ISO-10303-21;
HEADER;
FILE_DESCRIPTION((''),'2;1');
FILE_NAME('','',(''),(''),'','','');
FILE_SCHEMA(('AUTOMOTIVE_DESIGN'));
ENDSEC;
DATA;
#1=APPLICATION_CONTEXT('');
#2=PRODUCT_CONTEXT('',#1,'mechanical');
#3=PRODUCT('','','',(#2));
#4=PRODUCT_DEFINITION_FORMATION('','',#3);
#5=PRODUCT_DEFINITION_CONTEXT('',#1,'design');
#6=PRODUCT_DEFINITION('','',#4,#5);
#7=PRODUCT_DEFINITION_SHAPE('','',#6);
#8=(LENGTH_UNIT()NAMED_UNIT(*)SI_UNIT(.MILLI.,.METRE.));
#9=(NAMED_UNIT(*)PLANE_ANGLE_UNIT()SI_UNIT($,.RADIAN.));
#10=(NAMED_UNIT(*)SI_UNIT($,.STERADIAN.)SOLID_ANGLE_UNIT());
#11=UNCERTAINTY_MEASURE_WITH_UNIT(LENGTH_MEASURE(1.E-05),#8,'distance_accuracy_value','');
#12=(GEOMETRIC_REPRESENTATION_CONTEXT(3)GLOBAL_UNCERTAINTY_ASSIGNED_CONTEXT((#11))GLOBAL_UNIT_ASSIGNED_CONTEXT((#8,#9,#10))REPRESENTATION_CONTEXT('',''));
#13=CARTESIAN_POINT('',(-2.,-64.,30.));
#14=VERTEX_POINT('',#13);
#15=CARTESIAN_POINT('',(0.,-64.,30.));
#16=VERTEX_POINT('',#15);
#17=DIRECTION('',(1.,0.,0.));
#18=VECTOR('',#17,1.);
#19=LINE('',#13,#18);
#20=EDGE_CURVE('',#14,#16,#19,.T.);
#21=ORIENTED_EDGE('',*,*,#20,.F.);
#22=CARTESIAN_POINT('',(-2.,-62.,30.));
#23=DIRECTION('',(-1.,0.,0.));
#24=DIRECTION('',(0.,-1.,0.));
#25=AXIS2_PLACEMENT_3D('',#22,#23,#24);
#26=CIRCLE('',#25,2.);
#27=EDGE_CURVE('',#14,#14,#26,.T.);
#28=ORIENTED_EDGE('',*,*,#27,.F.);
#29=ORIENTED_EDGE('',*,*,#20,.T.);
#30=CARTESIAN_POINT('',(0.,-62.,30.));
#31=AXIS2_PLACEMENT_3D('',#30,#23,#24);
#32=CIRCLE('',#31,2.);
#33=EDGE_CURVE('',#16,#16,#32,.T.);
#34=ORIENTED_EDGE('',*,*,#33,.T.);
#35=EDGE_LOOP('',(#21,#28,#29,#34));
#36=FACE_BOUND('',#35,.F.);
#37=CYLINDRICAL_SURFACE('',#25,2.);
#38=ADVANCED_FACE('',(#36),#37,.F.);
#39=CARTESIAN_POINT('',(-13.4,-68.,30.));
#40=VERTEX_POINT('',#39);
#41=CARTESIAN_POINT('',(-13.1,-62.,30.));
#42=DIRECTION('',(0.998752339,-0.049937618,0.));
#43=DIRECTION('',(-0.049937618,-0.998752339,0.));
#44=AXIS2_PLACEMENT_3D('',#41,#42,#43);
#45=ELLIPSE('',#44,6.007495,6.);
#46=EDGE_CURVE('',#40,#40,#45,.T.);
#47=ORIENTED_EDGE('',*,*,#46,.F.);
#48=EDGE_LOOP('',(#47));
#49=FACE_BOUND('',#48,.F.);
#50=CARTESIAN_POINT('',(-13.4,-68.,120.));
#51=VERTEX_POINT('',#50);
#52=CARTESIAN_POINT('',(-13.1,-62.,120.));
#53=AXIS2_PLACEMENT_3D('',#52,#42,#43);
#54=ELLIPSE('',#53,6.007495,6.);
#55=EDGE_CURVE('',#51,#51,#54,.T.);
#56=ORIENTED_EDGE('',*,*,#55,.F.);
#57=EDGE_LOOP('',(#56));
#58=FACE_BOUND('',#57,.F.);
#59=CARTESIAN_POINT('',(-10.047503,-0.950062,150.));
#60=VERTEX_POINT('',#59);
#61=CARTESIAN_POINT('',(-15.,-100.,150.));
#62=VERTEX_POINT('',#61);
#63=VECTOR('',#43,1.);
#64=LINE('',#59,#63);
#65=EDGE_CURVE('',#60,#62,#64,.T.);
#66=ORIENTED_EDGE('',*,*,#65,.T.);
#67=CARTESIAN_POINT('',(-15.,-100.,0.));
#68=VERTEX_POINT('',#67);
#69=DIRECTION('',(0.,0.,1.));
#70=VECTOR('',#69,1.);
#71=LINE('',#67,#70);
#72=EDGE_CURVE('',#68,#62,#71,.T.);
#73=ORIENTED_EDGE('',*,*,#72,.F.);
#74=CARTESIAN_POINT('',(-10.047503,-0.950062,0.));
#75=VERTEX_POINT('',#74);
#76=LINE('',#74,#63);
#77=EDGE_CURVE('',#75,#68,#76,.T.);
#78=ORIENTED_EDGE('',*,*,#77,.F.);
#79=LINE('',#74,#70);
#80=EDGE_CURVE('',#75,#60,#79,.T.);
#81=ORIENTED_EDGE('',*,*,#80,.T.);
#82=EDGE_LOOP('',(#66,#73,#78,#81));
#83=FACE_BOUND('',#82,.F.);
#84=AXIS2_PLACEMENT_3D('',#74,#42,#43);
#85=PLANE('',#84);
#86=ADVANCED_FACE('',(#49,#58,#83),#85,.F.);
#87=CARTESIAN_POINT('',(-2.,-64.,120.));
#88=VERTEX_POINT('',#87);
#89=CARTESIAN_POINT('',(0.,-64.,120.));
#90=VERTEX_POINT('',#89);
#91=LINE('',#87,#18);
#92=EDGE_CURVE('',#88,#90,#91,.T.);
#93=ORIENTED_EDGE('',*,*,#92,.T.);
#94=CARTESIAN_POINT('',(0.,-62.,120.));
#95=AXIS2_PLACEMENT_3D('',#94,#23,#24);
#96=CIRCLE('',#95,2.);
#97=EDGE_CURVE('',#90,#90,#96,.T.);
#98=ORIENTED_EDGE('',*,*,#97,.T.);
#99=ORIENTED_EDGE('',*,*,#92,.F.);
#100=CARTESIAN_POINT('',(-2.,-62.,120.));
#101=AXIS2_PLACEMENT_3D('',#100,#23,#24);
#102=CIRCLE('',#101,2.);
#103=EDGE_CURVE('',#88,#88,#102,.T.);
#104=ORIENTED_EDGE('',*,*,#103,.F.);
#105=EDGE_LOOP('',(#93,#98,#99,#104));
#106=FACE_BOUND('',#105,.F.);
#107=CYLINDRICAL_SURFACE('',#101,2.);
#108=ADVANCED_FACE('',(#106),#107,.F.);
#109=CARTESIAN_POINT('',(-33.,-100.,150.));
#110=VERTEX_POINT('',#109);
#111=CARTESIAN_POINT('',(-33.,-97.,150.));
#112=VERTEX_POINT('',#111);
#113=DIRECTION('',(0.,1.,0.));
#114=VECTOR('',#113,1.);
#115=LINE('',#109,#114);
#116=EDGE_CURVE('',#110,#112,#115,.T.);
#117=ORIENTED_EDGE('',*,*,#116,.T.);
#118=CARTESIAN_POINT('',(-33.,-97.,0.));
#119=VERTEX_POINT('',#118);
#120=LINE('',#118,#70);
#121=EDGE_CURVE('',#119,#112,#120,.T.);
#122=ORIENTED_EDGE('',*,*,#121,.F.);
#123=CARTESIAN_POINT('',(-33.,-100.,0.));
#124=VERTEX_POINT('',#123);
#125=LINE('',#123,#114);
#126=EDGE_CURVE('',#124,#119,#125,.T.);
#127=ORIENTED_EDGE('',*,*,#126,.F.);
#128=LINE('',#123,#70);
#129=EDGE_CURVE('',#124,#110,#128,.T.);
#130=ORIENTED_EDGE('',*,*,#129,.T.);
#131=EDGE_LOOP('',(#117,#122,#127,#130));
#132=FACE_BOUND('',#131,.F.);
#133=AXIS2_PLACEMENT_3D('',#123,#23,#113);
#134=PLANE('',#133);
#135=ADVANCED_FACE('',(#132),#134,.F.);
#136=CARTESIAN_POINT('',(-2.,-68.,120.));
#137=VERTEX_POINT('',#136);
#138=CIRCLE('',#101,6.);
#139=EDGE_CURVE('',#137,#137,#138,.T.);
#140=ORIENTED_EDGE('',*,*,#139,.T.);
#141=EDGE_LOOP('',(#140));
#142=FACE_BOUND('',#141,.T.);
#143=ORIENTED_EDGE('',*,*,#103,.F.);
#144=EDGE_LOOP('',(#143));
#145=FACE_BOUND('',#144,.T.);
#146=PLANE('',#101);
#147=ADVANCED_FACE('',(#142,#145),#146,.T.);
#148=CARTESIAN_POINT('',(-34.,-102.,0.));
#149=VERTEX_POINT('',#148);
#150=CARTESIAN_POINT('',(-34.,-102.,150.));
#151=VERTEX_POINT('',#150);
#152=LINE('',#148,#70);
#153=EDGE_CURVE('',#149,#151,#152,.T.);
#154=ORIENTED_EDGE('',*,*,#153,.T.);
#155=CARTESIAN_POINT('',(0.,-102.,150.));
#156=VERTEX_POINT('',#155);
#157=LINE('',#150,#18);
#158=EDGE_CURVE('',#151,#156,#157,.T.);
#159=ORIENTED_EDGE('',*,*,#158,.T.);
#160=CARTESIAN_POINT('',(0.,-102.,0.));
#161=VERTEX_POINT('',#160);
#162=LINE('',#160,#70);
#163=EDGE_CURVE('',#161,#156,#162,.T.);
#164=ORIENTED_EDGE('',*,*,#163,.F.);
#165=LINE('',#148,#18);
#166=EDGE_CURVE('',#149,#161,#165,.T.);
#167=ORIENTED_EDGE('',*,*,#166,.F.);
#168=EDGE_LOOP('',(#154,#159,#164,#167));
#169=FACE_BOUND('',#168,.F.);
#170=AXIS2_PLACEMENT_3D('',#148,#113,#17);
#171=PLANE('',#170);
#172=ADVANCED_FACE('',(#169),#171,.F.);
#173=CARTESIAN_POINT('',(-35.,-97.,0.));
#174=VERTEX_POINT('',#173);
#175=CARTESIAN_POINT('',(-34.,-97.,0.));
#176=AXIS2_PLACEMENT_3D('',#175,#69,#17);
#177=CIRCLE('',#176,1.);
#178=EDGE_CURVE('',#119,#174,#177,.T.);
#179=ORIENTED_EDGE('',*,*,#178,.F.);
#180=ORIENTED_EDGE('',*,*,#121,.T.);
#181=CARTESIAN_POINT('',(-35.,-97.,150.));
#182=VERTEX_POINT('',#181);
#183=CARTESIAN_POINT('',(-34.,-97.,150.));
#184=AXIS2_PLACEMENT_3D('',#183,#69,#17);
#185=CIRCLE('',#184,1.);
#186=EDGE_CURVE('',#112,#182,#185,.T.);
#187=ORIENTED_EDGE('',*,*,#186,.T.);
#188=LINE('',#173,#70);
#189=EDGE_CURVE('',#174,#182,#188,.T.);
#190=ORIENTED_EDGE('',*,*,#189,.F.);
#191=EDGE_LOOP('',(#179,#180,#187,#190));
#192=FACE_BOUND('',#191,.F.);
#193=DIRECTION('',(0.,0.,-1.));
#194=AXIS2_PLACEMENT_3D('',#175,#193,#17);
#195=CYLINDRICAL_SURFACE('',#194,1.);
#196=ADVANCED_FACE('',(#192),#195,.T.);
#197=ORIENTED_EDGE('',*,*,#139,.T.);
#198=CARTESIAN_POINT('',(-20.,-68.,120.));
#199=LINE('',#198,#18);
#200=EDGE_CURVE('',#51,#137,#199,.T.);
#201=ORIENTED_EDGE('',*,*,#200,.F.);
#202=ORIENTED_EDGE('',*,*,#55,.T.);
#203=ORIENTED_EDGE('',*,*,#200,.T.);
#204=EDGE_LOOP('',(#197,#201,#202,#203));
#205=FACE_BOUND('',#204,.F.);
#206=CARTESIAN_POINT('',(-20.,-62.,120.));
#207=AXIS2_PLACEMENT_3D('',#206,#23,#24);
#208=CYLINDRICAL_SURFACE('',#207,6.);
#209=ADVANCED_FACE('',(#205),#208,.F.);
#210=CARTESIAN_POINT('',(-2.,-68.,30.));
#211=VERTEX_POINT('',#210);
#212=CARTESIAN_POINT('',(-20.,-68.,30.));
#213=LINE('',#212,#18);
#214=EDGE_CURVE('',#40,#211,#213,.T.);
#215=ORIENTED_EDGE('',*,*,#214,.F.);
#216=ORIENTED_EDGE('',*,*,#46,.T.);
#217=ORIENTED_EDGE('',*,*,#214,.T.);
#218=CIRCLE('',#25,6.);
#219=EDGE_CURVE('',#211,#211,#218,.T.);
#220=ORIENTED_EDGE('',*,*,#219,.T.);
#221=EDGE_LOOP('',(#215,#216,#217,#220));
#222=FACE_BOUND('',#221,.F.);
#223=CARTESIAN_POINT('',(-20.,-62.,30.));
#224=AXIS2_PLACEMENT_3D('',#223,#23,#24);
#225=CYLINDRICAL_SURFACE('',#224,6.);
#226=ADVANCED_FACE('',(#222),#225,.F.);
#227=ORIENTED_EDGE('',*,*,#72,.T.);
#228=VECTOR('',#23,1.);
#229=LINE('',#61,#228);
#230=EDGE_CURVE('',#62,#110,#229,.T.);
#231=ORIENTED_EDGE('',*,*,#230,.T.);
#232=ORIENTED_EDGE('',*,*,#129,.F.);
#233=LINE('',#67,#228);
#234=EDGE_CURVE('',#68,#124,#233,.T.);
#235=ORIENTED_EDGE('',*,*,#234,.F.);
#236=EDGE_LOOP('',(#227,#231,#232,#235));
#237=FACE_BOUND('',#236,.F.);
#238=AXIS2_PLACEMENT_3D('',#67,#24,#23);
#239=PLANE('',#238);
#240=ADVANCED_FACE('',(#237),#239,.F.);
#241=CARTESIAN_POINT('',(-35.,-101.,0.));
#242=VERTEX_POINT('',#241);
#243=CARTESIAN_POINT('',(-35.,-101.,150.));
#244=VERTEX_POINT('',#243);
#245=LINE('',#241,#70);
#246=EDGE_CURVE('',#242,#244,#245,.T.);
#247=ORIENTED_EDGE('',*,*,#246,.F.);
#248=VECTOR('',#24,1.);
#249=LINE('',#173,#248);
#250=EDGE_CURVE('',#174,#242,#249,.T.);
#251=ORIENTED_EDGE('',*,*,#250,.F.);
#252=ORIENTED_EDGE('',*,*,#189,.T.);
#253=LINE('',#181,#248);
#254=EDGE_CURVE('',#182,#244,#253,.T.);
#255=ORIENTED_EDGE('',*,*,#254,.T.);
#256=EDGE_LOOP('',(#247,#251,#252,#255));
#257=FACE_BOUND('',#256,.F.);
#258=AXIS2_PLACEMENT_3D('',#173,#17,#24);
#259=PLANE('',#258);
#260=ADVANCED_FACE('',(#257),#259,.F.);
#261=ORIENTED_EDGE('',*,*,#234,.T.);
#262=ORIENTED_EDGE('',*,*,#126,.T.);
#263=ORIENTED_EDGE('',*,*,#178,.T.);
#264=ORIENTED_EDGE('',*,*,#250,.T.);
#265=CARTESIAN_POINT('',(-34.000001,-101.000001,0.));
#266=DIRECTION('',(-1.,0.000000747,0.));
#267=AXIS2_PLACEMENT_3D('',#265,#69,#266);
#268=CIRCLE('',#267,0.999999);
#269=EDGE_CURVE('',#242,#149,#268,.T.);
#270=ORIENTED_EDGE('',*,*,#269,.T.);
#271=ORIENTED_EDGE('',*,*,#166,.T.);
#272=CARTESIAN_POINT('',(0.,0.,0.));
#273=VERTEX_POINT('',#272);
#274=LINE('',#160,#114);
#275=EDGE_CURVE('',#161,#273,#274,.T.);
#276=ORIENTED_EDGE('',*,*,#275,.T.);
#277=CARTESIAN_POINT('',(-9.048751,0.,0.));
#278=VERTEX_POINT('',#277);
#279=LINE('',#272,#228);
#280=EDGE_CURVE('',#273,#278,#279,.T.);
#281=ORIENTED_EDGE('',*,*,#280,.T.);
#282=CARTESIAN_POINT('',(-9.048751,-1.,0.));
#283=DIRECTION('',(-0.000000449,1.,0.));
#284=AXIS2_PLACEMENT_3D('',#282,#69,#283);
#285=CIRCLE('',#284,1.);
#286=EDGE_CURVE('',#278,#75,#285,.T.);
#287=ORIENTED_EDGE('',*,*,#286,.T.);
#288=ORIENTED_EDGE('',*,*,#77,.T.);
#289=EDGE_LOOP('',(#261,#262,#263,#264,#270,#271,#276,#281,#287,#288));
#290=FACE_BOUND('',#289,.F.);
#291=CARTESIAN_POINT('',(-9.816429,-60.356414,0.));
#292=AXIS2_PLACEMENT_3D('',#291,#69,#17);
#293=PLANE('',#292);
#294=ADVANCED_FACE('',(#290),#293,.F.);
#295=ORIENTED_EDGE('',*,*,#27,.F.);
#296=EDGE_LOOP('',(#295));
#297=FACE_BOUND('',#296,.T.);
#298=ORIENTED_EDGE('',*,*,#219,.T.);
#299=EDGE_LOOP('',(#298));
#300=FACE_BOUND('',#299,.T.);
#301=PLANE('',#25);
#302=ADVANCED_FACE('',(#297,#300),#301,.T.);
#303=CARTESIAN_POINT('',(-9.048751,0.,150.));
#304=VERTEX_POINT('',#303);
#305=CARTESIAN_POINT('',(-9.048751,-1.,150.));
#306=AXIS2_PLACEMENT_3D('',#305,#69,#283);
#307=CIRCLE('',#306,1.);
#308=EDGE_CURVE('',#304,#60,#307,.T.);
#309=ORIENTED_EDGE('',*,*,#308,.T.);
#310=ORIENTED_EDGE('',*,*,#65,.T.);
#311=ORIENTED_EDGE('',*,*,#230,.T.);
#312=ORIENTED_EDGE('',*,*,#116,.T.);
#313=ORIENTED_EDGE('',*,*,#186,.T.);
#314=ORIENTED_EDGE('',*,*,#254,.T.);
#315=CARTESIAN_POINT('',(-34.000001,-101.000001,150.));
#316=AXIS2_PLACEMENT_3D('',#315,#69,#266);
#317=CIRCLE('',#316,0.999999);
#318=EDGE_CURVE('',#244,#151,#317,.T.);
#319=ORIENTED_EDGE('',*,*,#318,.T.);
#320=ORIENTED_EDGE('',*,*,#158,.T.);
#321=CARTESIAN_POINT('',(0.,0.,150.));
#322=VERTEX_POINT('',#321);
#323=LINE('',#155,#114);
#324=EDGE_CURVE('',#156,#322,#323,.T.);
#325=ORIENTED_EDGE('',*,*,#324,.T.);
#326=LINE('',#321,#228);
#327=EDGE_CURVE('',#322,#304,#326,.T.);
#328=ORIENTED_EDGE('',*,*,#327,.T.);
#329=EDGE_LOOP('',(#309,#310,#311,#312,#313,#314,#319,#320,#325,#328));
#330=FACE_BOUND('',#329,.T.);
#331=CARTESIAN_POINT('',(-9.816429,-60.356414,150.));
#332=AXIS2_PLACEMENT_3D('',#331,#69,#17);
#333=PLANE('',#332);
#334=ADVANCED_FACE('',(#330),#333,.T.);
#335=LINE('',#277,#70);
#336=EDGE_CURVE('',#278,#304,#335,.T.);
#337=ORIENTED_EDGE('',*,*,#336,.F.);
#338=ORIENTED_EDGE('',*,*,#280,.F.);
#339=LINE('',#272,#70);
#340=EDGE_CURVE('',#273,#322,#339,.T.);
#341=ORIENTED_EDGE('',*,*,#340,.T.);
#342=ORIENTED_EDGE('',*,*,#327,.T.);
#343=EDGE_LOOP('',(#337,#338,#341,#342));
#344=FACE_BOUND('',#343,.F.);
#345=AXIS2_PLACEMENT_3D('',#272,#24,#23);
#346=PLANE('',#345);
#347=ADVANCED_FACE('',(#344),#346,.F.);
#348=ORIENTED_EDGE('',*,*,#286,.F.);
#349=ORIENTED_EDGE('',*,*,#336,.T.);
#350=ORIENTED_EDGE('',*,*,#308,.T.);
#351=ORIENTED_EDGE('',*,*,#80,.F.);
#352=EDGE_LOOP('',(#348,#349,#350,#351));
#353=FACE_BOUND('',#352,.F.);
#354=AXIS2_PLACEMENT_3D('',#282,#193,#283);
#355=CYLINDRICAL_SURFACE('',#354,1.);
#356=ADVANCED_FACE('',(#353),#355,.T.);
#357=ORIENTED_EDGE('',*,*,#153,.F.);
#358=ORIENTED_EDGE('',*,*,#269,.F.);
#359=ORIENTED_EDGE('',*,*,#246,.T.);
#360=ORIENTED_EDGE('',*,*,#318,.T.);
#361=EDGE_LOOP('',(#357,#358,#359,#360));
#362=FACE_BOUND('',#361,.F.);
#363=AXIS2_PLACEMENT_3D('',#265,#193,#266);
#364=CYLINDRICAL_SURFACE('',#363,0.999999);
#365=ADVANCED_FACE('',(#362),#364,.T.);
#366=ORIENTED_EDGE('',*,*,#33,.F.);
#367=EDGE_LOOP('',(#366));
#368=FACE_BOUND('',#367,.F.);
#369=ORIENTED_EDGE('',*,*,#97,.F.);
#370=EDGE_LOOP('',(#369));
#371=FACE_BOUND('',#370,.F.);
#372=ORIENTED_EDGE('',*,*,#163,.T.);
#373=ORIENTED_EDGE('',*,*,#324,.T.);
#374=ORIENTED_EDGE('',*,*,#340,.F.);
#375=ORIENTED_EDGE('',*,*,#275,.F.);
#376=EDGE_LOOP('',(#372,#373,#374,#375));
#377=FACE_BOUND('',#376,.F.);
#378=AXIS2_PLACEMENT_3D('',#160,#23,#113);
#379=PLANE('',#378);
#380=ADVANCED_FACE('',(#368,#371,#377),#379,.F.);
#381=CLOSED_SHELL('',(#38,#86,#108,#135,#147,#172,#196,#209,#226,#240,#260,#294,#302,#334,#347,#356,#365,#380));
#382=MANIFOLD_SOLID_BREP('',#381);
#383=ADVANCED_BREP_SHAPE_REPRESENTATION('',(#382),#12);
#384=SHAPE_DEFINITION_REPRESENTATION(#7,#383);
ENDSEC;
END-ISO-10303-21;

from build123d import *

# Parameters (mm, degrees)
PAD_DEPTH       = 150
SKETCH001_R     = 6
POCKET_DEPTH    = 18
SKETCH002_R     = 2
POCKET001_DEPTH = 2.001


with BuildPart() as part:
    # Sketch → Pad (new body)
    with BuildSketch(Plane.XY):
        with BuildLine():
            Line((0, 0), (-9.048751, 0))
            ThreePointArc((-9.048751, 0), (-9.737976, -0.275453), (-10.047503, -0.950062))
            Line((-10.047503, -0.950062), (-15, -100))
            Line((-15, -100), (-33, -100))
            Line((-33, -100), (-33, -97))
            ThreePointArc((-33, -97), (-34, -96), (-35, -97))
            Line((-35, -97), (-35, -101))
            ThreePointArc((-35, -101), (-34.707107, -101.707107), (-34, -102))
            Line((-34, -102), (0, -102))
            Line((0, -102), (0, 0))
        make_face()
    extrude(amount=PAD_DEPTH)

    # Sketch001 (on Face10 of Pad) → Pocket (cut)
    with BuildSketch(Plane(origin=(-20, 0, 0), x_dir=(0, -1, 0), z_dir=(-1, 0, 0))):
        with Locations((62, 30)):
            Circle(SKETCH001_R)
        with Locations((62, 120)):
            Circle(SKETCH001_R)
    extrude(amount=-POCKET_DEPTH, mode=Mode.SUBTRACT)

    # Sketch002 (on Face15 of Pocket) → Pocket001 (cut, through all)
    with BuildSketch(Plane(origin=(-2, 0, 0), x_dir=(0, -1, 0), z_dir=(-1, 0, 0))):
        with Locations((62, 120)):
            Circle(SKETCH002_R)
        with Locations((62, 30)):
            Circle(SKETCH002_R)
    extrude(amount=-POCKET001_DEPTH, mode=Mode.SUBTRACT)


solid = part.part
